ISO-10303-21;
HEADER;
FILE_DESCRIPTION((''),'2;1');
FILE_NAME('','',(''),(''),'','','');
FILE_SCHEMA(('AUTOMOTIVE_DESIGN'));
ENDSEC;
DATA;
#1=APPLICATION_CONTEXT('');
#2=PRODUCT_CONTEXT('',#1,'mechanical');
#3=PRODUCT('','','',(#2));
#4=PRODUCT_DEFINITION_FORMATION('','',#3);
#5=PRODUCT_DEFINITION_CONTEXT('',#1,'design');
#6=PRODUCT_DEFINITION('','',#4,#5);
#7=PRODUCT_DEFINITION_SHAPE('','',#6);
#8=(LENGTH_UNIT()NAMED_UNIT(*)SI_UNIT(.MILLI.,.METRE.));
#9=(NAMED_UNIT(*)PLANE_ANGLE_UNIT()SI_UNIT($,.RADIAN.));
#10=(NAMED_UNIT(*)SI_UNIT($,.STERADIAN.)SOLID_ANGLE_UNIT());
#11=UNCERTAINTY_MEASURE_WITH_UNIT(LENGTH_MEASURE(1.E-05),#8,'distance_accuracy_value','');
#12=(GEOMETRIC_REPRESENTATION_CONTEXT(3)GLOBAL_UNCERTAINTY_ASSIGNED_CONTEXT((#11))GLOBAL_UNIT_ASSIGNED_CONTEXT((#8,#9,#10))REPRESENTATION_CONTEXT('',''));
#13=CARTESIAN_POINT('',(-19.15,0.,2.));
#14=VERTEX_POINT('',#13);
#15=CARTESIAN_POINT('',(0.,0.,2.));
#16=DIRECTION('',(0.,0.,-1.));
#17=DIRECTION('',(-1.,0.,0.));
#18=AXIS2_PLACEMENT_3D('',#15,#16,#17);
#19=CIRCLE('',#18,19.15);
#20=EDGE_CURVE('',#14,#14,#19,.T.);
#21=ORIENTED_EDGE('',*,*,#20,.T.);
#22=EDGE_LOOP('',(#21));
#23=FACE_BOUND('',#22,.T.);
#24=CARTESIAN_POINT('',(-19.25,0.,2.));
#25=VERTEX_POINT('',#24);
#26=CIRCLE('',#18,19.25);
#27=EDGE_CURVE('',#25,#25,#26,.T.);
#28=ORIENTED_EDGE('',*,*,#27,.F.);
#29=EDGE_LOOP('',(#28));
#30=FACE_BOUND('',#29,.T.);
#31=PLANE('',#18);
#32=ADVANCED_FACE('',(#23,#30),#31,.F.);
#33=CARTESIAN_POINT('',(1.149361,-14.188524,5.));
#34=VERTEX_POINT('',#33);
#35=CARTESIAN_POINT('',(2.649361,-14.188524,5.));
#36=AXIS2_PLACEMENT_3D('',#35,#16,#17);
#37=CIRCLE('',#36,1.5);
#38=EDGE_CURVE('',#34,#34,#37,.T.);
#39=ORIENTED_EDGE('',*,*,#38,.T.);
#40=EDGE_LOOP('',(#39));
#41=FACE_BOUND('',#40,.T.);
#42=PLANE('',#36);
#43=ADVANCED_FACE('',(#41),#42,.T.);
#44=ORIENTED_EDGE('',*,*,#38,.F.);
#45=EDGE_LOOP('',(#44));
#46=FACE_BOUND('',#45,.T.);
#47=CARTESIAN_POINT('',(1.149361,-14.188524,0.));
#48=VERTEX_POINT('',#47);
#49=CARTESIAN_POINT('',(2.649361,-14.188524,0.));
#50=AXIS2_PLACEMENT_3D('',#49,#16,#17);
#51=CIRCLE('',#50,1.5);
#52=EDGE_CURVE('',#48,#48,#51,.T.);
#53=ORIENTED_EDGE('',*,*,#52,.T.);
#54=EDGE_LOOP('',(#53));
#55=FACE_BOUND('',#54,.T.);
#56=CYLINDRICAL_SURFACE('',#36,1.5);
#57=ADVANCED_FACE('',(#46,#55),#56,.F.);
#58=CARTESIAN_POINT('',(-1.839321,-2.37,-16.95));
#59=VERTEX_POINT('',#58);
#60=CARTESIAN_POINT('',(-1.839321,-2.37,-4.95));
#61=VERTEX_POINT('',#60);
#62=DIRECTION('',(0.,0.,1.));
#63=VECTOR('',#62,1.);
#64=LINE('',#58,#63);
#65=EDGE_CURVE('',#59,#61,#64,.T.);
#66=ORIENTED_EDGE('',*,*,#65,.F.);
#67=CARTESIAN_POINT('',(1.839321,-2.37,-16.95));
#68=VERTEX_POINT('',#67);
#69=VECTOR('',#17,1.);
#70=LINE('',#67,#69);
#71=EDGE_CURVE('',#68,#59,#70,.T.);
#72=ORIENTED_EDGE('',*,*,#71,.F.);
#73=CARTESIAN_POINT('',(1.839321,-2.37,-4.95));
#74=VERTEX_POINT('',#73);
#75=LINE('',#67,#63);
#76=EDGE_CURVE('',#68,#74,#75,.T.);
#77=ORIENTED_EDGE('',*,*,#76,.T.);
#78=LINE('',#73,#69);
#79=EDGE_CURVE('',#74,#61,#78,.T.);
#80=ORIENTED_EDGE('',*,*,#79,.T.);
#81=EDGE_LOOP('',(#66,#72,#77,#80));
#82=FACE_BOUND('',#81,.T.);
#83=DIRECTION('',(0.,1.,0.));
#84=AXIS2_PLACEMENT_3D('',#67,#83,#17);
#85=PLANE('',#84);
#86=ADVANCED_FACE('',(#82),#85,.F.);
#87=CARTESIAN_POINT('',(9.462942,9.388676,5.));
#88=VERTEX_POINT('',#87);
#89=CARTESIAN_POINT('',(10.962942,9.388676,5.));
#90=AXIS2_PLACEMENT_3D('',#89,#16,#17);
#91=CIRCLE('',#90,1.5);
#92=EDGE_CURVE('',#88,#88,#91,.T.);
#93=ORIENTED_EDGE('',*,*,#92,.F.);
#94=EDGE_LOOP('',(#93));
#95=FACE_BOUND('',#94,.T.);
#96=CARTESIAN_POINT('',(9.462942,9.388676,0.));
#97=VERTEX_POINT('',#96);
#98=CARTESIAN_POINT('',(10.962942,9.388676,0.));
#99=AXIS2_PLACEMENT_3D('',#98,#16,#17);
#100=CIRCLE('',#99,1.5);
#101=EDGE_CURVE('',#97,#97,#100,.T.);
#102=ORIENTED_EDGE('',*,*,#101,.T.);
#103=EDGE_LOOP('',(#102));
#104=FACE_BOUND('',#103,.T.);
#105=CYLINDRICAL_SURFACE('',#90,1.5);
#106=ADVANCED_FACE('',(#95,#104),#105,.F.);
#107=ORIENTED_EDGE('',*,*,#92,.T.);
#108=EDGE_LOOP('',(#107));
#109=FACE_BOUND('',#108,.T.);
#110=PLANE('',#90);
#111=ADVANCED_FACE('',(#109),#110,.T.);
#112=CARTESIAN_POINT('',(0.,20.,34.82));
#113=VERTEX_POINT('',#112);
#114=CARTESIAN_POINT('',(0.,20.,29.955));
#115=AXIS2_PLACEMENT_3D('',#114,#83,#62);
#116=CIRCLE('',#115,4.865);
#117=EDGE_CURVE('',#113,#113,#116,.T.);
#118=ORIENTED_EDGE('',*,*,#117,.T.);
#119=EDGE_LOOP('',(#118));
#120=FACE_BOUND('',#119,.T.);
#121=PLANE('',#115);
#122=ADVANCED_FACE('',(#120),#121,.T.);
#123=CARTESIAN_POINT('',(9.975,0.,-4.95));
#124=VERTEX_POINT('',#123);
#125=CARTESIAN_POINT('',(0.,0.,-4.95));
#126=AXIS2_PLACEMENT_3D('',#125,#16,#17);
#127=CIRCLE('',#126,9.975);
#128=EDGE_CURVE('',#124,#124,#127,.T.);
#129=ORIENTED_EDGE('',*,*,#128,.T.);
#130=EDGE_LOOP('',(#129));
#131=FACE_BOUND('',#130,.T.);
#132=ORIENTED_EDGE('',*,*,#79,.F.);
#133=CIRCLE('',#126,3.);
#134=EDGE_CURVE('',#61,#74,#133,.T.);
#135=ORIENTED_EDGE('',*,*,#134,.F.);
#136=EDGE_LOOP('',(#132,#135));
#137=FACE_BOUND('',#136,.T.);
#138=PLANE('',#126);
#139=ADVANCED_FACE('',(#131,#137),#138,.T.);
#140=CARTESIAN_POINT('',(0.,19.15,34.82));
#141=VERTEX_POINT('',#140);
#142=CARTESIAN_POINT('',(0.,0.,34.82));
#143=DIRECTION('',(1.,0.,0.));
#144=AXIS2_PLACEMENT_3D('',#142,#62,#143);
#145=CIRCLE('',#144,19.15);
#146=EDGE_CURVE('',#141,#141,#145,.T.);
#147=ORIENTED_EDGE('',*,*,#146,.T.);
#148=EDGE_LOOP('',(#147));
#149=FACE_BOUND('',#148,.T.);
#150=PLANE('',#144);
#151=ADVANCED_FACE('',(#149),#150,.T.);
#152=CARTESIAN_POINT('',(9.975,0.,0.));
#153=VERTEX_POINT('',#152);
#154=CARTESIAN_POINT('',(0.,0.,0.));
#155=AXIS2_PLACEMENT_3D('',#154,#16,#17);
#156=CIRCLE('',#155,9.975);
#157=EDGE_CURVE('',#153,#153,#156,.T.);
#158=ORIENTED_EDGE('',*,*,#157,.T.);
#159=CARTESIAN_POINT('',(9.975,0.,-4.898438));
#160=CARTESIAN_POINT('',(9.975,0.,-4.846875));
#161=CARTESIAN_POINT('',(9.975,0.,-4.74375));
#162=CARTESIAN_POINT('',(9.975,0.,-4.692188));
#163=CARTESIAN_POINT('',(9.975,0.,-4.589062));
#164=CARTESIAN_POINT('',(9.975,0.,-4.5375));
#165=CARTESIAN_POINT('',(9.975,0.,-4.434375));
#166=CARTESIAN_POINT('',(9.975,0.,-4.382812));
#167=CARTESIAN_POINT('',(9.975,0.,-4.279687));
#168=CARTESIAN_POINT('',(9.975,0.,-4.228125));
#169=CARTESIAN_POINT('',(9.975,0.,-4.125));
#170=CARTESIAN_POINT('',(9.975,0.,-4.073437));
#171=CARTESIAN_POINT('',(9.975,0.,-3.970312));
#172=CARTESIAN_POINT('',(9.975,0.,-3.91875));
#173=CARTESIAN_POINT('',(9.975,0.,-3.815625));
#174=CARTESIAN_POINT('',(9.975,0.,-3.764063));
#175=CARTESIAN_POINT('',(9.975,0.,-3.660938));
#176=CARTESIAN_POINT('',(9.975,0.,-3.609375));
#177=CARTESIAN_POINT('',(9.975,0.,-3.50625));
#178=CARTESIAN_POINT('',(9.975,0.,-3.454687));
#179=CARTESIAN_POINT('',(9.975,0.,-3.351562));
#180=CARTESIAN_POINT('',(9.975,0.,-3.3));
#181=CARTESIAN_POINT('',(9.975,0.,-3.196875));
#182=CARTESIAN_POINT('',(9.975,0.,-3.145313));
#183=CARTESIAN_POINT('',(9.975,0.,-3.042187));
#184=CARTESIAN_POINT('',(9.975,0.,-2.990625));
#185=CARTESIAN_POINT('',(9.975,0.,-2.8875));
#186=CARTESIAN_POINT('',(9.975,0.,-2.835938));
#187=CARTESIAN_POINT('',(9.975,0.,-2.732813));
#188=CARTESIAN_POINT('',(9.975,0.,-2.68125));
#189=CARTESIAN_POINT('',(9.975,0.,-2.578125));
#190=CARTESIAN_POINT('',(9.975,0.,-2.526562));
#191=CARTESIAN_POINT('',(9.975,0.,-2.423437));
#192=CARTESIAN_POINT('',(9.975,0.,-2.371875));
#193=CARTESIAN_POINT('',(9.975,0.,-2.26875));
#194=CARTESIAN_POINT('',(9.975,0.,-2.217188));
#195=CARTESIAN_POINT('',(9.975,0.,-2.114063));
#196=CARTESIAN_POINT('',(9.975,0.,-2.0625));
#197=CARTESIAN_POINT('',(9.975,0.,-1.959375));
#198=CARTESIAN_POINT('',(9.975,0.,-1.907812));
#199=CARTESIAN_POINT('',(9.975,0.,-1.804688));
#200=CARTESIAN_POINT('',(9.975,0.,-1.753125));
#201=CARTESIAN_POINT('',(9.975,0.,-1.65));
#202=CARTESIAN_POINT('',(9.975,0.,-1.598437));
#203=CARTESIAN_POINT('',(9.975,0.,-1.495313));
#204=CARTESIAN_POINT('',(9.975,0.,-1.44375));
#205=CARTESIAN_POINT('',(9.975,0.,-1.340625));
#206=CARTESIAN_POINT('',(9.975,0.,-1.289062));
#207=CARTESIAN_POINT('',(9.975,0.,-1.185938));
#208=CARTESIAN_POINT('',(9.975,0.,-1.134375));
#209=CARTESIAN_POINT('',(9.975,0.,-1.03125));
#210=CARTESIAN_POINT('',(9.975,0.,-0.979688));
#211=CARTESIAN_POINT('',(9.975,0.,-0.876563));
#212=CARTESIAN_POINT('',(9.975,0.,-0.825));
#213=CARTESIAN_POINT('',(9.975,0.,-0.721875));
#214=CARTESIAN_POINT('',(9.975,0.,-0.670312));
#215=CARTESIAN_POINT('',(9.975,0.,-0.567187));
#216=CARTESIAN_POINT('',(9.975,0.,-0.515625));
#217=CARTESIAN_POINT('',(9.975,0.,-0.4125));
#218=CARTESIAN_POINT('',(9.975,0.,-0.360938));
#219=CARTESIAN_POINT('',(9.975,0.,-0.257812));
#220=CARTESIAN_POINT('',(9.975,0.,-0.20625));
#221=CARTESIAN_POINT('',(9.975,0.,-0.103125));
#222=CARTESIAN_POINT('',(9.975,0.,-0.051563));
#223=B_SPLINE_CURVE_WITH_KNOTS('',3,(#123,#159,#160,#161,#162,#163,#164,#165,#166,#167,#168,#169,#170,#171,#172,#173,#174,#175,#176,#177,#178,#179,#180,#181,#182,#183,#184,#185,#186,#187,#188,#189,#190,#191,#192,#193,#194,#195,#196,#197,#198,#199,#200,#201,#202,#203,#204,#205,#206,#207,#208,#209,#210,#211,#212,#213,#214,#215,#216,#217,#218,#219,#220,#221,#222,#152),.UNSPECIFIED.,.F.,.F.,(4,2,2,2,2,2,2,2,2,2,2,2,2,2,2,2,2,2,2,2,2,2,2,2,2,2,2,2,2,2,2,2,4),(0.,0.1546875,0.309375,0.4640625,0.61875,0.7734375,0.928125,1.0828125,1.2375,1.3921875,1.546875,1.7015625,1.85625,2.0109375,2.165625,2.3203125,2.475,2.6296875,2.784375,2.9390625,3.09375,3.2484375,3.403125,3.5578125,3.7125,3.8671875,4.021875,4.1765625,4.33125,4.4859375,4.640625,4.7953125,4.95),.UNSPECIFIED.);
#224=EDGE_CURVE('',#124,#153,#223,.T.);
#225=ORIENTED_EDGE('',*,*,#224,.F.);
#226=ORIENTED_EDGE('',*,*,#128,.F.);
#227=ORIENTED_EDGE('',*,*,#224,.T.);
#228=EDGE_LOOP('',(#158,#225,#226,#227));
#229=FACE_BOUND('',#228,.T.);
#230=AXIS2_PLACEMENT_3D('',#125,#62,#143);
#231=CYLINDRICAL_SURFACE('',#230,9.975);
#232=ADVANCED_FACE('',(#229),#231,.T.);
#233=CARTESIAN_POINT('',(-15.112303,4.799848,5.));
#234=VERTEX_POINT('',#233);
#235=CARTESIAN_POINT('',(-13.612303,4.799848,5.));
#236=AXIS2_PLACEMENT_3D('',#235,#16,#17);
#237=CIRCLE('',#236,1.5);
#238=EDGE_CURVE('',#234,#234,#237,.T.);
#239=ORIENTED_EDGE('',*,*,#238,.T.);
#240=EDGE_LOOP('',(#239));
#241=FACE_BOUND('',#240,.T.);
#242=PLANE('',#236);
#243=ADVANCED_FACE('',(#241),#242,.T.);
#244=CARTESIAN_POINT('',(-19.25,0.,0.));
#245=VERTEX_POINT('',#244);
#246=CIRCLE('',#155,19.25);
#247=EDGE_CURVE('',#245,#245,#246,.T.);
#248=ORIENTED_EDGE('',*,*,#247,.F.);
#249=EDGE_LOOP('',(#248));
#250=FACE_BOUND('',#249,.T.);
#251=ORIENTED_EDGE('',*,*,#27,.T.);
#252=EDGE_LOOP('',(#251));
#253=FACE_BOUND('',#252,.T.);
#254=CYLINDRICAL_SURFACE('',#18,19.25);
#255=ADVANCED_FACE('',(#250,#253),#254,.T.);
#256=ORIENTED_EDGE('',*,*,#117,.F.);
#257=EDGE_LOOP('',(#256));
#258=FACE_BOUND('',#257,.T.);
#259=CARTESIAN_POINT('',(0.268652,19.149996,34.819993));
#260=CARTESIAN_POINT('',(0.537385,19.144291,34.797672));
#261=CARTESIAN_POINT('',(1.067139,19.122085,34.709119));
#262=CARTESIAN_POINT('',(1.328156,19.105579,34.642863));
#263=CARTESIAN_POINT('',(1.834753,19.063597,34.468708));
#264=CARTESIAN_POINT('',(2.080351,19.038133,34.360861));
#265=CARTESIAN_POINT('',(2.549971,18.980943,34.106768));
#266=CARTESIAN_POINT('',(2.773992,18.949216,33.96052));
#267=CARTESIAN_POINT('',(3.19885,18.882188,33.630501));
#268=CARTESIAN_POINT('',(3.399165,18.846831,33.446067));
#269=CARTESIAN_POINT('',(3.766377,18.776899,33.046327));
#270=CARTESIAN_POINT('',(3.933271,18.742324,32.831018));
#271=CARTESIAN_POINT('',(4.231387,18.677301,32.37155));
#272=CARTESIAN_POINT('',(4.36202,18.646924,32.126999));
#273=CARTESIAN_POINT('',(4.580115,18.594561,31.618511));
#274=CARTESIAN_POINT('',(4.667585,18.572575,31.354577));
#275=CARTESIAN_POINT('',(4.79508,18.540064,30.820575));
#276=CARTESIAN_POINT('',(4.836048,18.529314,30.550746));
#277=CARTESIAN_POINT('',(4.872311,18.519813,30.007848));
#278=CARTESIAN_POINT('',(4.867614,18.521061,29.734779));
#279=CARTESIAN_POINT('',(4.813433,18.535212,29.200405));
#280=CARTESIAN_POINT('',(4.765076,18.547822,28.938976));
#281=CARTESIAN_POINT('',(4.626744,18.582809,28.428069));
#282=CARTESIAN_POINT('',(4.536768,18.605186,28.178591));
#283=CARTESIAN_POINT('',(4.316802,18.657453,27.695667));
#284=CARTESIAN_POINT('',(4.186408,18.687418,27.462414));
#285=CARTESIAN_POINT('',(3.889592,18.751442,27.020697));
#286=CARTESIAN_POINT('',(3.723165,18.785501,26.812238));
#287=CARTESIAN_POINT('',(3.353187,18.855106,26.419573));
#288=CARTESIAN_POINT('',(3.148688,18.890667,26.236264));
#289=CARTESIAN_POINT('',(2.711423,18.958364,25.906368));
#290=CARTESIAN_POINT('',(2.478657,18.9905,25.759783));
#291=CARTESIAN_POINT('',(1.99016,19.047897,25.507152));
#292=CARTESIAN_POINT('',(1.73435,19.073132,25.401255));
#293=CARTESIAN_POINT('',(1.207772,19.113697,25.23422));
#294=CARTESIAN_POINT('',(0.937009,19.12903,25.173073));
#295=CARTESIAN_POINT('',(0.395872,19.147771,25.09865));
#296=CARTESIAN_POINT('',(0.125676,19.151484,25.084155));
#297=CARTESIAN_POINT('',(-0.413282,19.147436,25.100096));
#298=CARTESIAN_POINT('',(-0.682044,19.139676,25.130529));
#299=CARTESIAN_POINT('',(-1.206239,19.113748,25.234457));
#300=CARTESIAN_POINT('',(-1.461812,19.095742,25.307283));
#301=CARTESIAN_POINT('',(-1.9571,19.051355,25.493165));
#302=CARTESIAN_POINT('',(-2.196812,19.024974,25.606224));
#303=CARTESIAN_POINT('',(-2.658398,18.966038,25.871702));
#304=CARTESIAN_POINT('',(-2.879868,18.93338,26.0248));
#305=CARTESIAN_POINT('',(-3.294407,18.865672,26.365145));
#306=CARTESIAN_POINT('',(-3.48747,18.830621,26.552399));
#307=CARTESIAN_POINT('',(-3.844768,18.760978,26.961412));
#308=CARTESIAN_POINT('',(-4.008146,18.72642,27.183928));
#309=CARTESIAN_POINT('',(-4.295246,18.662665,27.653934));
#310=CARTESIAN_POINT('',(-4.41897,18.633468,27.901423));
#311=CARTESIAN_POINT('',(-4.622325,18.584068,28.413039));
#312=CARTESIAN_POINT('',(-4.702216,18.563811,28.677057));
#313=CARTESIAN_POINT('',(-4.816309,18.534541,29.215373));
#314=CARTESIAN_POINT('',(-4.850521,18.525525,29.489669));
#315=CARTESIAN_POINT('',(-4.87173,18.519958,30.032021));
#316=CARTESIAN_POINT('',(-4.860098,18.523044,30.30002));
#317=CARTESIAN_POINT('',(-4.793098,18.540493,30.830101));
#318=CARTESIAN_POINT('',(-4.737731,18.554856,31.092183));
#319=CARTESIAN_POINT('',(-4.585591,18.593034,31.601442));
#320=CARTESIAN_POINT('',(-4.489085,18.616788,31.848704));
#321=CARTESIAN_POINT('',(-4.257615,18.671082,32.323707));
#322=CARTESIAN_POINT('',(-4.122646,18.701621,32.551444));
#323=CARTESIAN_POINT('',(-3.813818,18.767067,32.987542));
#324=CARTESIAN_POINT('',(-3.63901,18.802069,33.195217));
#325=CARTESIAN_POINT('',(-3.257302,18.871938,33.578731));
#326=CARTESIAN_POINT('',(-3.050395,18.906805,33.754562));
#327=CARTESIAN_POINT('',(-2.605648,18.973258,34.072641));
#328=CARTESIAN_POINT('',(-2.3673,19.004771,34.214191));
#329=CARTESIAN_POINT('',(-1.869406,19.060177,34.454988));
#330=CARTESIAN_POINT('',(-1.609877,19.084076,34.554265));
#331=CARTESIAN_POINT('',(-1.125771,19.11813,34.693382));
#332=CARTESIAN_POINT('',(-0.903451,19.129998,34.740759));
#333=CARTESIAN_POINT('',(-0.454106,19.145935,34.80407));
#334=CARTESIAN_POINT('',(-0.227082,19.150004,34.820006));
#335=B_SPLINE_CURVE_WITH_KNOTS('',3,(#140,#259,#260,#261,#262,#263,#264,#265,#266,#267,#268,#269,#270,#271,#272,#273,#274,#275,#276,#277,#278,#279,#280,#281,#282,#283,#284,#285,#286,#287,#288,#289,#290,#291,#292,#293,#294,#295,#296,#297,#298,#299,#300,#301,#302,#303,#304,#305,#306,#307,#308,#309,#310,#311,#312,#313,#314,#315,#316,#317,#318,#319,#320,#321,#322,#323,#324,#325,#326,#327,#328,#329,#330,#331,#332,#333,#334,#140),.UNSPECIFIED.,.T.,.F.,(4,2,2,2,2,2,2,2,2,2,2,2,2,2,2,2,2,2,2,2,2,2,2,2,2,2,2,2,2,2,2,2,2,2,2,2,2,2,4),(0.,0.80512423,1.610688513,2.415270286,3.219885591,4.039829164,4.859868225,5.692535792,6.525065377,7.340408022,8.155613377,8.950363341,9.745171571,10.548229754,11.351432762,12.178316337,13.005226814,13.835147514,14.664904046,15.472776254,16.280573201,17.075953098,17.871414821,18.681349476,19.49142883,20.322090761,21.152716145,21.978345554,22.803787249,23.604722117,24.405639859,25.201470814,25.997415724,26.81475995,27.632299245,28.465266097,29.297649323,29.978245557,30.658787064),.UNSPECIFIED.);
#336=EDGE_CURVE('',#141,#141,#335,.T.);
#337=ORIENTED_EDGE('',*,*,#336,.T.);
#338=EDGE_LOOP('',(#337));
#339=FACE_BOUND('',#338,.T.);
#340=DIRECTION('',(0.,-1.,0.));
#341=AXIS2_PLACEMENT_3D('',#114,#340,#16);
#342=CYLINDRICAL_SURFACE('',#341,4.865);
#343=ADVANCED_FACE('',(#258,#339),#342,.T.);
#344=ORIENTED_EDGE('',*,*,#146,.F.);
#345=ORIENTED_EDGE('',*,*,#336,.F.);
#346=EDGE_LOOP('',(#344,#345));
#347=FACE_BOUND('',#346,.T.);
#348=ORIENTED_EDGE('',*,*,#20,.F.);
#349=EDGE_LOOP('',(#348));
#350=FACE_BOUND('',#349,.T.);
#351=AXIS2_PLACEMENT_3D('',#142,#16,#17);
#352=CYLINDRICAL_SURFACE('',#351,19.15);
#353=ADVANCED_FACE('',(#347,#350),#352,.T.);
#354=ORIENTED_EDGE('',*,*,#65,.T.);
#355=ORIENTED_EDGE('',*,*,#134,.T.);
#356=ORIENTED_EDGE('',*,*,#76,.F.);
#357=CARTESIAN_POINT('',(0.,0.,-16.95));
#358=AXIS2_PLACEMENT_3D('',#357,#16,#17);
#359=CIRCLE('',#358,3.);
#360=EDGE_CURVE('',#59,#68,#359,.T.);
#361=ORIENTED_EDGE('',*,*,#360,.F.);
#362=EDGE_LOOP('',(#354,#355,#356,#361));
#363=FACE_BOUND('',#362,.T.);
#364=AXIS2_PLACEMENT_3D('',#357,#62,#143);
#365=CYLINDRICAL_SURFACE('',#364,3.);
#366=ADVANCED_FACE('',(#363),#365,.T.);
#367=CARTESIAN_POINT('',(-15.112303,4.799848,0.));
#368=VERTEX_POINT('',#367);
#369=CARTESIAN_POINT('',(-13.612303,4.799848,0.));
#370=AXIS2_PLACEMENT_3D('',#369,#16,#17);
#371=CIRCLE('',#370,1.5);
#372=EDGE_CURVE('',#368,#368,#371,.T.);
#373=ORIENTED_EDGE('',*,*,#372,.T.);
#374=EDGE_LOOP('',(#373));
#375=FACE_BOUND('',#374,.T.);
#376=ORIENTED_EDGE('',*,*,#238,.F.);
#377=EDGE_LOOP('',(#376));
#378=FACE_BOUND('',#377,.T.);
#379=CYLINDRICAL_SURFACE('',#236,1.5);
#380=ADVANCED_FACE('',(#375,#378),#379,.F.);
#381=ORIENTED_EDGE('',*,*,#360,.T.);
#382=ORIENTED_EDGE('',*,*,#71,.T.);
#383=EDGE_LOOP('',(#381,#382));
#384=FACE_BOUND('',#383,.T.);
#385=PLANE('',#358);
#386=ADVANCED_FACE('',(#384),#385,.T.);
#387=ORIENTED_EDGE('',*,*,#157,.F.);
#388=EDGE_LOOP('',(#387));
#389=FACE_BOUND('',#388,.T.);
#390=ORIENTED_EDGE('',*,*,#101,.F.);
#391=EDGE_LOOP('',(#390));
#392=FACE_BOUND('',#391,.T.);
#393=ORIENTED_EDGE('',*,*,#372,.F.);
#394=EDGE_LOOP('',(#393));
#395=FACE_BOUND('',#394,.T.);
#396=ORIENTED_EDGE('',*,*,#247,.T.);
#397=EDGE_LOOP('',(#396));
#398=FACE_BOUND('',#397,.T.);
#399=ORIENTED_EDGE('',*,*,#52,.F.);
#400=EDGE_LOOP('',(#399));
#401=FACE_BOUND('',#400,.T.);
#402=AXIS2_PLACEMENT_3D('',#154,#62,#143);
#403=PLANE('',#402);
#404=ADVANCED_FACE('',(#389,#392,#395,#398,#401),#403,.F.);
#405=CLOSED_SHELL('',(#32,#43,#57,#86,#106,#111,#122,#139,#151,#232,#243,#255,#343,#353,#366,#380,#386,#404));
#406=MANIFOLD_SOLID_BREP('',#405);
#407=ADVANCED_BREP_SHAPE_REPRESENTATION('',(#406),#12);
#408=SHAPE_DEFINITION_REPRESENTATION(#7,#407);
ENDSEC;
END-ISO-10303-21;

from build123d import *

# Parameters (mm, degrees)
CROQUIS1_R              = 19.15
SALIENTE_EXTRUIR1_DEPTH = 34.82
CROQUIS2_R              = 9.975
SALIENTE_EXTRUIR2_DEPTH = 4.95
SALIENTE_EXTRUIR3_DEPTH = 12
CROQUIS4_R              = 4.865
SALIENTE_EXTRUIR4_DEPTH = 20
CROQUIS5_R              = 19.25
SALIENTE_EXTRUIR5_DEPTH = 2
CROQUIS6_R              = 1.5
CORTAR_EXTRUIR1_DEPTH   = 5


with BuildPart() as part:
    # Croquis1 → Saliente-Extruir1 (new body)
    with BuildSketch(Plane.XY):
        Circle(CROQUIS1_R)
    extrude(amount=SALIENTE_EXTRUIR1_DEPTH)

    # Croquis2 → Saliente-Extruir2 (add)
    with BuildSketch(Plane(origin=(0, 0, 0), x_dir=(-1, 0, 0), z_dir=(0, 0, -1))):
        with Locations(Location((0, 0, 0), (0, 0, 180))):
            Circle(CROQUIS2_R)
    extrude(amount=SALIENTE_EXTRUIR2_DEPTH)

    # Croquis3 → Saliente-Extruir3 (add)
    with BuildSketch(Plane(origin=(0, 0, -4.95), x_dir=(-1, 0, 0), z_dir=(0, 0, -1))):
        with BuildLine():
            Line((-1.839320527, -2.37), (1.839320527, -2.37))
            ThreePointArc((1.839320527, -2.37), (0, 3), (-1.839320527, -2.37))
        make_face()
    extrude(amount=SALIENTE_EXTRUIR3_DEPTH)

    # Croquis4 → Saliente-Extruir4 (add)
    with BuildSketch(Plane(origin=(0, 0, 0), x_dir=(1, 0, 0), z_dir=(0, 1, 0))):
        with Locations(Location((0, -29.955, 0), (0, 0, 270))):
            Circle(CROQUIS4_R)
    extrude(amount=SALIENTE_EXTRUIR4_DEPTH)

    # Croquis5 → Saliente-Extruir5 (add)
    with BuildSketch(Plane(origin=(0, 0, 0), x_dir=(-1, 0, 0), z_dir=(0, 0, -1))):
        Circle(CROQUIS5_R)
    extrude(amount=-SALIENTE_EXTRUIR5_DEPTH)

    # Croquis6 → Cortar-Extruir1 (cut)
    with BuildSketch(Plane(origin=(0, 0, 0), x_dir=(-1, 0, 0), z_dir=(0, 0, -1))):
        with Locations((-10.962942032, 9.38867591)):
            Circle(CROQUIS6_R)
        with Locations((13.612302862, 4.799848345)):
            Circle(CROQUIS6_R)
        with Locations((-2.64936083, -14.188524255)):
            Circle(CROQUIS6_R)
    extrude(amount=-CORTAR_EXTRUIR1_DEPTH, mode=Mode.SUBTRACT)


solid = part.part
